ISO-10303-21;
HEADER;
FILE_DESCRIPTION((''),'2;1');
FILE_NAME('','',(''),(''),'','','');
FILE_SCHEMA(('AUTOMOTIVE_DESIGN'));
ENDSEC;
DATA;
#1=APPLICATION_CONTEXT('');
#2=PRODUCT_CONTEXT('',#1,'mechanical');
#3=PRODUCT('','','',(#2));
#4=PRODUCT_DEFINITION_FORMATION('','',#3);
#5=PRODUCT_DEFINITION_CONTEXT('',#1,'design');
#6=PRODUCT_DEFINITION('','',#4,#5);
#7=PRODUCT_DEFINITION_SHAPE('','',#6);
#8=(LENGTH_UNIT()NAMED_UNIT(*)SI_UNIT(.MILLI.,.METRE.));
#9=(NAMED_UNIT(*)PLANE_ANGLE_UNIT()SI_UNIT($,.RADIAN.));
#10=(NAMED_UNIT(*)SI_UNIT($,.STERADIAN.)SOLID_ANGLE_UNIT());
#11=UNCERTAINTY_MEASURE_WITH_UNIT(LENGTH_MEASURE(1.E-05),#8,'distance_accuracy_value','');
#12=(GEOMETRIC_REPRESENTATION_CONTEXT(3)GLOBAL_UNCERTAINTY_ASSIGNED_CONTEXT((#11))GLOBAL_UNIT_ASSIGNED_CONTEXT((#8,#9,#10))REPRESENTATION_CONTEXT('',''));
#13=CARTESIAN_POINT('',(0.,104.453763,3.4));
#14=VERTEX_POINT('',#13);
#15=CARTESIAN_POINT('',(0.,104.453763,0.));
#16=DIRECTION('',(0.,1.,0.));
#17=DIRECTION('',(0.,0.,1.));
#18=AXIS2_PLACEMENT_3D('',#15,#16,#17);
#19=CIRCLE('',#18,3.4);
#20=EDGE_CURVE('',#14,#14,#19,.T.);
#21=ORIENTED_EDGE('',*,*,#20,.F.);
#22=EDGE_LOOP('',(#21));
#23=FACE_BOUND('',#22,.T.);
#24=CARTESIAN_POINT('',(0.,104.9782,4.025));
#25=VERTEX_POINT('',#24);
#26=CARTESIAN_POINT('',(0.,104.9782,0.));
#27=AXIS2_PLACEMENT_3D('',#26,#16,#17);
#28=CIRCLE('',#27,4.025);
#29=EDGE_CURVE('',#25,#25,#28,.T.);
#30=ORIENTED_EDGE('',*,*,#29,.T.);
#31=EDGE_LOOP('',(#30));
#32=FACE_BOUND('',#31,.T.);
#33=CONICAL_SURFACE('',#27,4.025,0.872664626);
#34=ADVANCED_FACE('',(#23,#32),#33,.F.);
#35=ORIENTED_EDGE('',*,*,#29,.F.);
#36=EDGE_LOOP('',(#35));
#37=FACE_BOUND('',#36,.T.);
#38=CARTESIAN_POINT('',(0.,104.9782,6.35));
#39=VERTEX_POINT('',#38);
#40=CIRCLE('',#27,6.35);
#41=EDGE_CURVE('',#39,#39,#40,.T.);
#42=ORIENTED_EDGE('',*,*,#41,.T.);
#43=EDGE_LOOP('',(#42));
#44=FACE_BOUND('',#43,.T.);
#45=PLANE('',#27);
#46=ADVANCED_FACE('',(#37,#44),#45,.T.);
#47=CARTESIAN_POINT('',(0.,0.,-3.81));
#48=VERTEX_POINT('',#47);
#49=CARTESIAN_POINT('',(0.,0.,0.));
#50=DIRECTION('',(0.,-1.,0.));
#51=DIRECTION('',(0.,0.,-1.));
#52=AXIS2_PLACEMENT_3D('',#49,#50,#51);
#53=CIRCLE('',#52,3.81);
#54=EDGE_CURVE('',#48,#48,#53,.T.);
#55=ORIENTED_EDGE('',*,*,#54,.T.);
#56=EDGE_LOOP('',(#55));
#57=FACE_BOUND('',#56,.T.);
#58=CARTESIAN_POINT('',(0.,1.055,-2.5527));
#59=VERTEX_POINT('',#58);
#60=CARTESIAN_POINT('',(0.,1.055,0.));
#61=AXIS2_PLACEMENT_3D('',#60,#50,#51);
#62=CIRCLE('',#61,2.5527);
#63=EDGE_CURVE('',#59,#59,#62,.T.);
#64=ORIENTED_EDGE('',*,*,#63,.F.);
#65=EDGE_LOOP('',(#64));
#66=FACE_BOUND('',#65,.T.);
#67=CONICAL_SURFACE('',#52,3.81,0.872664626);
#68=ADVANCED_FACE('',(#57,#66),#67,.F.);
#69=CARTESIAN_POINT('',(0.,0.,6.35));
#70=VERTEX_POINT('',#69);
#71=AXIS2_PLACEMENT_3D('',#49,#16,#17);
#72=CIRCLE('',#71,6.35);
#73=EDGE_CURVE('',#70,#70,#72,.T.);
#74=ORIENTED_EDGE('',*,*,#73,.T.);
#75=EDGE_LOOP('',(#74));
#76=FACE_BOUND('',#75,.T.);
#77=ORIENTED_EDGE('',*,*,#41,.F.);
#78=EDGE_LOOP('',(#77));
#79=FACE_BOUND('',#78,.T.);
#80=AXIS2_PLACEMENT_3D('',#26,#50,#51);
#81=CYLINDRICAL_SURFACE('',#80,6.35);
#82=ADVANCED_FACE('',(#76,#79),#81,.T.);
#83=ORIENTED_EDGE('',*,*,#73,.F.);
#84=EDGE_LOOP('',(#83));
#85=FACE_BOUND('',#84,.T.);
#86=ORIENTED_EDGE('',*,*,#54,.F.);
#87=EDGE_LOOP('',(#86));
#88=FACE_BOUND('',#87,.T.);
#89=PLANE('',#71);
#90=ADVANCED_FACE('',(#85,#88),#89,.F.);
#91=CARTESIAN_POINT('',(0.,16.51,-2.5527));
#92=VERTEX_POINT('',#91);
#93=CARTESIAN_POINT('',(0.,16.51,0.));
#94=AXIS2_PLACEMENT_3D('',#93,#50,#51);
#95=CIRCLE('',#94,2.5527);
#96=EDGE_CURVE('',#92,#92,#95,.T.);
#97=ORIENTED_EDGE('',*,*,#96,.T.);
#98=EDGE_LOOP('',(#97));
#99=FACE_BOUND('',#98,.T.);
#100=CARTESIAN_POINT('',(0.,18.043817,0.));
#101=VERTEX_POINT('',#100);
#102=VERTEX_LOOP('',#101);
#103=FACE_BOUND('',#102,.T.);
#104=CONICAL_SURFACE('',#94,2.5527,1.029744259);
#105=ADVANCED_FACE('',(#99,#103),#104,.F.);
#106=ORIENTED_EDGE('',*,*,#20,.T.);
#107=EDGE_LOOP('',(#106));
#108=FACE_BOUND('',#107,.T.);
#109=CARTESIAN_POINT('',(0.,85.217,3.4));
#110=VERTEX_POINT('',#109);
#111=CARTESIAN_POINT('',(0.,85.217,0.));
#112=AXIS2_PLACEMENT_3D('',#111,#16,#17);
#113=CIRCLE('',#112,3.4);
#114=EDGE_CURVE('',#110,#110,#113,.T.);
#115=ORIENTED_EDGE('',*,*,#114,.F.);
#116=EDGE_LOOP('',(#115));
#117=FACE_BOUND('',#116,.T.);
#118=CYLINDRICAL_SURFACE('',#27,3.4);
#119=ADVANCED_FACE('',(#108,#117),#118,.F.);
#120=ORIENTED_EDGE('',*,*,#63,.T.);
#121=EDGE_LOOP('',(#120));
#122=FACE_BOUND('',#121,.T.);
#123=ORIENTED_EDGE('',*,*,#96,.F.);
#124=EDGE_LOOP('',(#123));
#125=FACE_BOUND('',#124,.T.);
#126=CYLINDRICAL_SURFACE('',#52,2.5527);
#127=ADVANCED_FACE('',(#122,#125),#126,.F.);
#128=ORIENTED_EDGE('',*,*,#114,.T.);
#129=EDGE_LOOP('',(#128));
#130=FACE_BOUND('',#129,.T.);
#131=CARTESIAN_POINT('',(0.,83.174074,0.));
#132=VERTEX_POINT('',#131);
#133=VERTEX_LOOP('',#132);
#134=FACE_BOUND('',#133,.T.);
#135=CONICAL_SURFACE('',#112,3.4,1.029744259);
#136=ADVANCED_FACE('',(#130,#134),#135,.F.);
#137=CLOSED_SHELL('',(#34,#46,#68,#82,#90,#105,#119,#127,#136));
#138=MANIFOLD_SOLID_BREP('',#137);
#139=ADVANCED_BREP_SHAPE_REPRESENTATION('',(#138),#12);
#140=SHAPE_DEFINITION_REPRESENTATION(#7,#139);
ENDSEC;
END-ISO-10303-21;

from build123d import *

# Parameters (mm, degrees)
SKETCH1_R                         = 6.35
BOSS_EXTRUDE1_DEPTH               = 104.9782
M8X1_25_TAPPED_HOLE1_D            = 6.8
M8X1_25_TAPPED_HOLE1_DEPTH        = 19.7612
M8X1_25_TAPPED_HOLE1_CSINK_D      = 8.05
M8X1_25_TAPPED_HOLE1_CSINK_ANGLE  = 100
M8X1_25_TAPPED_HOLE1_TIP          = 2.042926105
F_1_4_20_TAPPED_HOLE1_D           = 5.1054
F_1_4_20_TAPPED_HOLE1_DEPTH       = 16.51
F_1_4_20_TAPPED_HOLE1_CSINK_D     = 7.62
F_1_4_20_TAPPED_HOLE1_CSINK_ANGLE = 100
F_1_4_20_TAPPED_HOLE1_TIP         = 1.533816902


with BuildPart() as part:
    # Sketch1 → Boss-Extrude1 (new body)
    with BuildSketch(Plane(origin=(0, 0, 0), x_dir=(1, 0, 0), z_dir=(0, 1, 0))):
        with Locations(Location((0, 0, 0), (0, 0, 270))):
            Circle(SKETCH1_R)
    extrude(amount=BOSS_EXTRUDE1_DEPTH)

    # M8x1.25 Tapped Hole1
    with Locations(Plane(origin=(0, 104.9782, 0), x_dir=(1, 0, 0), z_dir=(0, 1, 0))):
        with Locations((0, 0)):
            CounterSinkHole(M8X1_25_TAPPED_HOLE1_D / 2, M8X1_25_TAPPED_HOLE1_CSINK_D / 2, depth=M8X1_25_TAPPED_HOLE1_DEPTH, counter_sink_angle=M8X1_25_TAPPED_HOLE1_CSINK_ANGLE)
            with Locations((0, 0, -(M8X1_25_TAPPED_HOLE1_DEPTH + M8X1_25_TAPPED_HOLE1_TIP / 2))):  # 118° drill point
                Cone(0, M8X1_25_TAPPED_HOLE1_D / 2, M8X1_25_TAPPED_HOLE1_TIP, mode=Mode.SUBTRACT)

    # 1/4-20 Tapped Hole1
    with Locations(Plane(origin=(0, 0, 0), x_dir=(-1, 0, 0), z_dir=(0, -1, 0))):
        with Locations((0, 0)):
            CounterSinkHole(F_1_4_20_TAPPED_HOLE1_D / 2, F_1_4_20_TAPPED_HOLE1_CSINK_D / 2, depth=F_1_4_20_TAPPED_HOLE1_DEPTH, counter_sink_angle=F_1_4_20_TAPPED_HOLE1_CSINK_ANGLE)
            with Locations((0, 0, -(F_1_4_20_TAPPED_HOLE1_DEPTH + F_1_4_20_TAPPED_HOLE1_TIP / 2))):  # 118° drill point
                Cone(0, F_1_4_20_TAPPED_HOLE1_D / 2, F_1_4_20_TAPPED_HOLE1_TIP, mode=Mode.SUBTRACT)


solid = part.part
